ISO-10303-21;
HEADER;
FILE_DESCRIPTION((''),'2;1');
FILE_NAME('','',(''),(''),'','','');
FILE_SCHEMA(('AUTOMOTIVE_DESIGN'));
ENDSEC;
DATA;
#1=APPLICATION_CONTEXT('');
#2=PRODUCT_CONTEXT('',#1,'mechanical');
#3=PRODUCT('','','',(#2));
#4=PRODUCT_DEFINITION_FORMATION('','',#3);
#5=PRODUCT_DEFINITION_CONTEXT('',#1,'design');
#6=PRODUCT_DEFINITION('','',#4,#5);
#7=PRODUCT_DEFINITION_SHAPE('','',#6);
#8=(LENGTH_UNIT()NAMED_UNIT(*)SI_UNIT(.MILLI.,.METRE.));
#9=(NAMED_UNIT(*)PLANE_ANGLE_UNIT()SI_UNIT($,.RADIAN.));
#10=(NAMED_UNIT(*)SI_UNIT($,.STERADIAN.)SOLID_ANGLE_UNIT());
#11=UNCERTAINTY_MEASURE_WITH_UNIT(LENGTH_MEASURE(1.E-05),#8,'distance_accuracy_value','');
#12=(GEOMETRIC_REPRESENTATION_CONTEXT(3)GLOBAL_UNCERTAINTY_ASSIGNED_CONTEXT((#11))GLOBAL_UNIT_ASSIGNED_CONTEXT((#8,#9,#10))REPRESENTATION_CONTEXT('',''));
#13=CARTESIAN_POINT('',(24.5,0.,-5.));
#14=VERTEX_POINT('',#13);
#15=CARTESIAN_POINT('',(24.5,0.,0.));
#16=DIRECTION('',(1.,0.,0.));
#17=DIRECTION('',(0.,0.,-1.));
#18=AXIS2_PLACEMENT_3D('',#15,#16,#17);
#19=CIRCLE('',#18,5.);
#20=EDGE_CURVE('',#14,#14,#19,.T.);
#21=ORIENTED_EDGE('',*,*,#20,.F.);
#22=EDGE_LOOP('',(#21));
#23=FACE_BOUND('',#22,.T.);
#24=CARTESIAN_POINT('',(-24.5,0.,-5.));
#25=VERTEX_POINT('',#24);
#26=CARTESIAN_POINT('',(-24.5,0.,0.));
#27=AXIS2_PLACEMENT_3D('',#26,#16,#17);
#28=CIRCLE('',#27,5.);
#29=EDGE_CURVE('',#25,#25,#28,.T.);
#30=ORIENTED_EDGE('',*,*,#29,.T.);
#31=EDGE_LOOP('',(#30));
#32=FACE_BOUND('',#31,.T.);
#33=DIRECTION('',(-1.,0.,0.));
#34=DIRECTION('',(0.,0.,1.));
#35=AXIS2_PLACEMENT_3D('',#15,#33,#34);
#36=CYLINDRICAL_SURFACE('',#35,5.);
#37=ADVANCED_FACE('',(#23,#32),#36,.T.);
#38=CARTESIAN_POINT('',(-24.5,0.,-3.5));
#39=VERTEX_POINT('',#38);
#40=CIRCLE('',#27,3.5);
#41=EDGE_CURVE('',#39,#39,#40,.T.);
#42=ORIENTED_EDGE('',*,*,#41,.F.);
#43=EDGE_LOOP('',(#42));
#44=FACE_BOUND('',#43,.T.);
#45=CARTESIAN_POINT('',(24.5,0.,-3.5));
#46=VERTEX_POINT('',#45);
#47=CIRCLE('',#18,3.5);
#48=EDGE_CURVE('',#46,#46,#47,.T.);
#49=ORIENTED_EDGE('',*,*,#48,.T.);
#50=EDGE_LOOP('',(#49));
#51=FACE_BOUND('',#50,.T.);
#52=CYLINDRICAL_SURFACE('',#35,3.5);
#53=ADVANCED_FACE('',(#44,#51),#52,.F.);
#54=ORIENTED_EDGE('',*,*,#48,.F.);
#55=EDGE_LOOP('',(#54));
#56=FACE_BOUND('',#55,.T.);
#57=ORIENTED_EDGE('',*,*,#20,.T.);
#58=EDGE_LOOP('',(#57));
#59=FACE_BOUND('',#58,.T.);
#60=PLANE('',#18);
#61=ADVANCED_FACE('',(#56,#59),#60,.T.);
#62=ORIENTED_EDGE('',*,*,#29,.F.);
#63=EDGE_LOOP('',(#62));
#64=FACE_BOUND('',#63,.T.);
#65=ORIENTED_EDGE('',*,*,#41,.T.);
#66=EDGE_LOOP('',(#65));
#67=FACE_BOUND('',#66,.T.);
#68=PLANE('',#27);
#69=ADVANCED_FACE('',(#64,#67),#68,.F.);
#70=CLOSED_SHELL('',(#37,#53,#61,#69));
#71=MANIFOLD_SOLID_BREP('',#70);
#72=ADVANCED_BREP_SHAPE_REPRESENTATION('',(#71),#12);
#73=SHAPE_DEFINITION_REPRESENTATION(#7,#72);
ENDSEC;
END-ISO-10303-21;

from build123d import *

# Parameters (mm, degrees)
SKETCH1_R           = 5
SKETCH1_R_2         = 3.5
BOSS_EXTRUDE1_DEPTH = 24.5


with BuildPart() as part:
    # Sketch1 → Boss-Extrude1 (new, symmetric)
    with BuildSketch(Plane(origin=(0, 0, 0), x_dir=(0, 0, -1), z_dir=(1, 0, 0))):
        Circle(SKETCH1_R)
        Circle(SKETCH1_R_2, mode=Mode.SUBTRACT)
    extrude(amount=BOSS_EXTRUDE1_DEPTH, both=True)


solid = part.part
